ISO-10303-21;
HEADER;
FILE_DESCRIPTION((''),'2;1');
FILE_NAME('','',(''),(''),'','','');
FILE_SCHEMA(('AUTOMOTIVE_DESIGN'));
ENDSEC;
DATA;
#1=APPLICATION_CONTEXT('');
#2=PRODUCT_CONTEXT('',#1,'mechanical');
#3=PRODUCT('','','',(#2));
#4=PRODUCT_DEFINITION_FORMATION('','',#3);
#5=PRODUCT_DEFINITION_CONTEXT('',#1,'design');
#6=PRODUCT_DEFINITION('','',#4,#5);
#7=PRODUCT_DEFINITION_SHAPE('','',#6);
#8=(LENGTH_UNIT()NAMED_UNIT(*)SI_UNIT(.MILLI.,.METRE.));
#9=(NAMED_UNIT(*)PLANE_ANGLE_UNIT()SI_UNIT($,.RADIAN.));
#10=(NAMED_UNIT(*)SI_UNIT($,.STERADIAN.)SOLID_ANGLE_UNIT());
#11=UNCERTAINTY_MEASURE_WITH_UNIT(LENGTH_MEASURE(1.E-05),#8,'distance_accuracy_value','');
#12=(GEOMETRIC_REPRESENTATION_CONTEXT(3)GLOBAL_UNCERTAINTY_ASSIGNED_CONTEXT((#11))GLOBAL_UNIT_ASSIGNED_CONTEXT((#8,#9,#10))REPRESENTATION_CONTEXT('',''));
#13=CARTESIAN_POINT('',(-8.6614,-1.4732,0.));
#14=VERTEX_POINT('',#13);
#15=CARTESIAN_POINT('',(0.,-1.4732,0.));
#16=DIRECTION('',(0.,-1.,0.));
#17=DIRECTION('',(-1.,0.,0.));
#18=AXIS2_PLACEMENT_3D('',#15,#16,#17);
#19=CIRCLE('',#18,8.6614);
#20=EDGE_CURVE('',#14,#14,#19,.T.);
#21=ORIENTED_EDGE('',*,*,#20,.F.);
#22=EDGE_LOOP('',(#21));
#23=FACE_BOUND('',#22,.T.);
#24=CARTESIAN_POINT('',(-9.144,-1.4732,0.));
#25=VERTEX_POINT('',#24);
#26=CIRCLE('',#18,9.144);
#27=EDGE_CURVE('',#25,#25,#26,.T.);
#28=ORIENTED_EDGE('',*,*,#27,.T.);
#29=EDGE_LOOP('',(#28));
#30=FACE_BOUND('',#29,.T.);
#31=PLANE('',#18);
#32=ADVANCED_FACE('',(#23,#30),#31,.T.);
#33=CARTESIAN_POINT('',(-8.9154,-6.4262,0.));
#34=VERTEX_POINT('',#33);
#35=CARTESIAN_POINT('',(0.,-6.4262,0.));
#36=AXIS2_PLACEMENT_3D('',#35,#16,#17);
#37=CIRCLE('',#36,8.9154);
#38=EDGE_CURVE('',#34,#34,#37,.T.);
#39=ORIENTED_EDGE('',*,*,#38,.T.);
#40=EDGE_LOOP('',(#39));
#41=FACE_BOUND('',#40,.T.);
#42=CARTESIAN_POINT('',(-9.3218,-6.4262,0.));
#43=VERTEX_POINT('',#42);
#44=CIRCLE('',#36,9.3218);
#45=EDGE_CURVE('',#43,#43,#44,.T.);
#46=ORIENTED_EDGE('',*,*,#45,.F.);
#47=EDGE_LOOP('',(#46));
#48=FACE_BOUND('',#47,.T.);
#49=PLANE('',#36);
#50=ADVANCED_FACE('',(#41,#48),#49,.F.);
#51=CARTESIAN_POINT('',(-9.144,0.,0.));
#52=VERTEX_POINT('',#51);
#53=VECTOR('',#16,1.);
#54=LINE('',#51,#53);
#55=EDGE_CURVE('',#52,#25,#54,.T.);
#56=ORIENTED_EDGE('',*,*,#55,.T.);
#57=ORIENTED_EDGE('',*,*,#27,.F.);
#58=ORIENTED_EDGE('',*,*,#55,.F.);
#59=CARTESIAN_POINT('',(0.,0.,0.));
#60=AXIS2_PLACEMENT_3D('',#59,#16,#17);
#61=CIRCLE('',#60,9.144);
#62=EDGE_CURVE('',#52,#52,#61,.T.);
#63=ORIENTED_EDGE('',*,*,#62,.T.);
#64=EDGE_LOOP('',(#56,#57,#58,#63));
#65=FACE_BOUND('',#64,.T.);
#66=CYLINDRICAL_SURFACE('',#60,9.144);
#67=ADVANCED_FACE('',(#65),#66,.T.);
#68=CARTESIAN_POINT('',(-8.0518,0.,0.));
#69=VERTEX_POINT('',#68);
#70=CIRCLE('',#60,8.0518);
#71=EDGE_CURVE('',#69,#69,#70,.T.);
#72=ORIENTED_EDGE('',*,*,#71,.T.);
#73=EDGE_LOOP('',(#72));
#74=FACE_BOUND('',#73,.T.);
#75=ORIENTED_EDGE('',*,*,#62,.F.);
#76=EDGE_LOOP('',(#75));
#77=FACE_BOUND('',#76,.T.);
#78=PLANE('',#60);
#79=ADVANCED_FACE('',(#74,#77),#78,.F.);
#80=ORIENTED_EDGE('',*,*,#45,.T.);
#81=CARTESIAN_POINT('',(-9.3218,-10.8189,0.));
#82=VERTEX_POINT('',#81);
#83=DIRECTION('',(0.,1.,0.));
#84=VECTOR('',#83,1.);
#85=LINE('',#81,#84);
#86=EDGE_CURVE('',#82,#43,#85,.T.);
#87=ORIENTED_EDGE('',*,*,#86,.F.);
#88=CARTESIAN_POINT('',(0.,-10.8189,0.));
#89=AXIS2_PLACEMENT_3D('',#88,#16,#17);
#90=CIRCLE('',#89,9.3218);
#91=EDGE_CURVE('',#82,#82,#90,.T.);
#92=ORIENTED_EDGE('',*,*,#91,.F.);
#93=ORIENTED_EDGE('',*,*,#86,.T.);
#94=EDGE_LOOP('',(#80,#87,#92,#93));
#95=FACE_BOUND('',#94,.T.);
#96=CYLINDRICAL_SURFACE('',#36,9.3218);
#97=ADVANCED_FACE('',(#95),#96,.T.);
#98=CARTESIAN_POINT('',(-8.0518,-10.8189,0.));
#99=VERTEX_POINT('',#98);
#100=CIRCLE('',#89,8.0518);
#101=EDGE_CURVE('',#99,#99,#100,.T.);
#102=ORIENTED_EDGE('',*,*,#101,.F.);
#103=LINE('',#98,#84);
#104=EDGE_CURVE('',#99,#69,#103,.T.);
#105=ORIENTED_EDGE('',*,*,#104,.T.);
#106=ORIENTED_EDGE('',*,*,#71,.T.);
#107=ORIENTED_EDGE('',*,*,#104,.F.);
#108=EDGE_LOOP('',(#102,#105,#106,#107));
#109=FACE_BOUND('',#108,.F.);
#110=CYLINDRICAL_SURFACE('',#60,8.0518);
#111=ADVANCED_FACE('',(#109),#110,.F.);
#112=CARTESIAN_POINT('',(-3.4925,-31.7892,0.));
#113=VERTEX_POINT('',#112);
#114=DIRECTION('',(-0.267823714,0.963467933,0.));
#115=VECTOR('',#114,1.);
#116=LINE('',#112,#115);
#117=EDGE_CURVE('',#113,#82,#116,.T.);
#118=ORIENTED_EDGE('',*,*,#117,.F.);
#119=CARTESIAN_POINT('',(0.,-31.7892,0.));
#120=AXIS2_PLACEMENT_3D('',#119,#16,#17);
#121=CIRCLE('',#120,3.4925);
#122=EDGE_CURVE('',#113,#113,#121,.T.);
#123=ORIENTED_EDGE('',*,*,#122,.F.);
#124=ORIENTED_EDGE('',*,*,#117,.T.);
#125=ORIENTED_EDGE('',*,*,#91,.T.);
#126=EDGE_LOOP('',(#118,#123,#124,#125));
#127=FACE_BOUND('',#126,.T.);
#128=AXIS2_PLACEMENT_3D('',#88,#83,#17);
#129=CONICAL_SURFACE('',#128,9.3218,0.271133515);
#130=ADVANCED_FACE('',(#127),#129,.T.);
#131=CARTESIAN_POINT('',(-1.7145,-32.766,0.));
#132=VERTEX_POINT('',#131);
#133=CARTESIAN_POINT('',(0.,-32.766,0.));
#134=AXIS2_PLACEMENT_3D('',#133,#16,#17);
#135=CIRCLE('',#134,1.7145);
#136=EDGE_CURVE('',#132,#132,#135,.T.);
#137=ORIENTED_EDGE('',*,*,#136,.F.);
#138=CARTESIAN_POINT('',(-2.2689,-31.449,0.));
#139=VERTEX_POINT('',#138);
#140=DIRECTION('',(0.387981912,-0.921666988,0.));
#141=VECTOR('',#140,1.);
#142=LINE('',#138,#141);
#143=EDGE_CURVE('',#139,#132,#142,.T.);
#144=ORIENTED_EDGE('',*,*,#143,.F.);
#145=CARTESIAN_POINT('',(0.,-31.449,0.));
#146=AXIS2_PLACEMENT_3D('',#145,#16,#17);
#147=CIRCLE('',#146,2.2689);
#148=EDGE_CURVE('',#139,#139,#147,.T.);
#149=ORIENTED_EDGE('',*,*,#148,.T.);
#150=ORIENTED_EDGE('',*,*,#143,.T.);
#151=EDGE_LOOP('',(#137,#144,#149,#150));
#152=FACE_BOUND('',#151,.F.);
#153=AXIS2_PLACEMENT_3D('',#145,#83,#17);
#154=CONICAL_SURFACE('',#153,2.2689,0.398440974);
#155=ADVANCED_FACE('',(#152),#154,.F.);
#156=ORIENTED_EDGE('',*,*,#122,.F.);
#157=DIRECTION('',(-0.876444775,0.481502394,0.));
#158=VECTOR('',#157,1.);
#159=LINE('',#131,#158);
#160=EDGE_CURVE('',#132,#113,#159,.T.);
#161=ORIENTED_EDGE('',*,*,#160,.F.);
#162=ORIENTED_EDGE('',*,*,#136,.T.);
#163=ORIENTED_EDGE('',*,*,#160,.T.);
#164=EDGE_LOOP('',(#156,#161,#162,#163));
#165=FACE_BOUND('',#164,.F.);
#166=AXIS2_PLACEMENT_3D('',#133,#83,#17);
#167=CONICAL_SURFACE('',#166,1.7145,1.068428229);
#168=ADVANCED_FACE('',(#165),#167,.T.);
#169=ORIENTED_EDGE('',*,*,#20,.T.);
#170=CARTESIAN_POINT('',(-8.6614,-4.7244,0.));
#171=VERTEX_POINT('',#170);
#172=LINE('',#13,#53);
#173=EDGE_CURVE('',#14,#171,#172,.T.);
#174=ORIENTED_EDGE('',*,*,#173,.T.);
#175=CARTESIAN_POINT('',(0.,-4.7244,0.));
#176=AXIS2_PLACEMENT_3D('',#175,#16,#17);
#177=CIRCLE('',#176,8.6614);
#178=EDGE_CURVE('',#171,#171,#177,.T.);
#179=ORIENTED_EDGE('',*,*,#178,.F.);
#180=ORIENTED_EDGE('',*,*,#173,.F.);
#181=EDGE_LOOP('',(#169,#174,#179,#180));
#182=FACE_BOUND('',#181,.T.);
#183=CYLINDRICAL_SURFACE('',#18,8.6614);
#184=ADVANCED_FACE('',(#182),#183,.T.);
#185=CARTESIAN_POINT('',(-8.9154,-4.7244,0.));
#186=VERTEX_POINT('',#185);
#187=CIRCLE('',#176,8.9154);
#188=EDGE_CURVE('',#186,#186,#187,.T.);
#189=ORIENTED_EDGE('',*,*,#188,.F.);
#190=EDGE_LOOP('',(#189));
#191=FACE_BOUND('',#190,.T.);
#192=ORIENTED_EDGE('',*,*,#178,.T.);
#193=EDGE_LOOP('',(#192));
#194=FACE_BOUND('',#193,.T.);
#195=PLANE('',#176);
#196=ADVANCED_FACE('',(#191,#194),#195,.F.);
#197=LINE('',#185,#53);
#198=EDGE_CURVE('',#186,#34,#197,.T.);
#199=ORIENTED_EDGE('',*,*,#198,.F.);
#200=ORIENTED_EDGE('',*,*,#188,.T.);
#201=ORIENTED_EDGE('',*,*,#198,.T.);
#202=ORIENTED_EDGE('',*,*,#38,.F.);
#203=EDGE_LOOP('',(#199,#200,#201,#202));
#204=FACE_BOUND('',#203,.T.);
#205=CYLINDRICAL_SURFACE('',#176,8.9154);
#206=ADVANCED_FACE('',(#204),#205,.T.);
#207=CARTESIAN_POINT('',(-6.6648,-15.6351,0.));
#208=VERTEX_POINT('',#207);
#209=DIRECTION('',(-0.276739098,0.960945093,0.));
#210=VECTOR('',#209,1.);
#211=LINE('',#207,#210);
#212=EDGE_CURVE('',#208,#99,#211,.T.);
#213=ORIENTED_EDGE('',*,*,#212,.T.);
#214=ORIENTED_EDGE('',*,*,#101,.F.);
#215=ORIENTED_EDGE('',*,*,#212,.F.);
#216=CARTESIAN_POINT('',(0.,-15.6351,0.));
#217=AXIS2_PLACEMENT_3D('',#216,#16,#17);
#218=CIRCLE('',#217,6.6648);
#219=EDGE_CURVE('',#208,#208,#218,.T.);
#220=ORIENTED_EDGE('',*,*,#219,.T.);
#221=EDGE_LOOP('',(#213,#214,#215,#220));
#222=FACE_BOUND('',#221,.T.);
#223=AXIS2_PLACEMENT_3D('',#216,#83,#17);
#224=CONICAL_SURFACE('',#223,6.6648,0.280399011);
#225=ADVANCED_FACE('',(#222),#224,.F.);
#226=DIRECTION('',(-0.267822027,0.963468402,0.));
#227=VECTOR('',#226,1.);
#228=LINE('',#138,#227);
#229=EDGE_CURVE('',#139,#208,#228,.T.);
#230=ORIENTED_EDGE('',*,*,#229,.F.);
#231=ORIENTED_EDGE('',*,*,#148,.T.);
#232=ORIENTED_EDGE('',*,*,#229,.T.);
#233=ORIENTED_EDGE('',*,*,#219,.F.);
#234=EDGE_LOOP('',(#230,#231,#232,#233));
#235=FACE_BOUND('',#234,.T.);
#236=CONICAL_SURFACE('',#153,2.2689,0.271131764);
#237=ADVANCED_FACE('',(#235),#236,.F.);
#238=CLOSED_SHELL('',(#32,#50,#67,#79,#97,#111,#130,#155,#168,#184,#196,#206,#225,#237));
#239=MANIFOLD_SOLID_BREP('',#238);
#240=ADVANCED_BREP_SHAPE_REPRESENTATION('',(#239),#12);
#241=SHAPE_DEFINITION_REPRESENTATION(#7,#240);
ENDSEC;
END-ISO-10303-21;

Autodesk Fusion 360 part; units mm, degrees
sketch "Sketch1" plane through (0, 0, 0) normal (0, 0, 1) x (1, 0, 0)
  line L0 (0, 0) -> (-9.144, 0)
  line L1 (-9.144, 0) -> (-9.144, -1.4732)
  line L2 (-9.144, -1.4732) -> (-8.6614, -1.4732)
  line L3 (-8.6614, -1.4732) -> (-8.6614, -4.7244)
  line L4 (-8.6614, -4.7244) -> (-8.9154, -4.7244)
  line L5 (-8.9154, -4.7244) -> (-8.9154, -6.4262)
  line L6 (-8.9154, -6.4262) -> (-9.3218, -6.4262)
  line L7 (-9.3218, -6.4262) -> (-9.3218, -10.8189)
  line L8 (0, 0) -> (0, -32.766)
  line L9 (-1.7145, -32.766) -> (-3.4925, -31.7892)
  line L10 (-9.3218, -10.8189) -> (-3.4925, -31.7892)
  line L11 (-9.3218, -9.6713) -> (-8.0518, -9.6713)
  line L12 (-7.8884, -15.9752) -> (-6.6648, -15.6351)
  line L13 (-8.0518, 0) -> (-8.0518, -10.8189)
  line L14 (-3.4925, -31.7892) -> (-2.2689, -31.449)
  line L15 (-2.2689, -31.449) -> (-6.6648, -15.6351)
  line L16 (-8.0518, -9.6713) -> (-8.0518, -10.8189)
  line L17 (-6.6648, -15.6351) -> (-8.0518, -10.8189)
  line L18 (-2.2689, -31.449) -> (-1.7145, -32.766)
  dimension "d15" = 0.4064
  dimension "d16" = 1.7145
  dimension "d17" = 1.778
  dimension "d18" = 20.9703
  dimension "d19" = 1.27
  dimension "d20" = 1.27
  dimension "d22" = 1.27
revolve "Revolve1" add sketch "Sketch1" angle 360 about axis through (0, 0, 0) along (0, -1, 0)
equation "d16 = ( 0.135 / 2 ) * 1 in"
